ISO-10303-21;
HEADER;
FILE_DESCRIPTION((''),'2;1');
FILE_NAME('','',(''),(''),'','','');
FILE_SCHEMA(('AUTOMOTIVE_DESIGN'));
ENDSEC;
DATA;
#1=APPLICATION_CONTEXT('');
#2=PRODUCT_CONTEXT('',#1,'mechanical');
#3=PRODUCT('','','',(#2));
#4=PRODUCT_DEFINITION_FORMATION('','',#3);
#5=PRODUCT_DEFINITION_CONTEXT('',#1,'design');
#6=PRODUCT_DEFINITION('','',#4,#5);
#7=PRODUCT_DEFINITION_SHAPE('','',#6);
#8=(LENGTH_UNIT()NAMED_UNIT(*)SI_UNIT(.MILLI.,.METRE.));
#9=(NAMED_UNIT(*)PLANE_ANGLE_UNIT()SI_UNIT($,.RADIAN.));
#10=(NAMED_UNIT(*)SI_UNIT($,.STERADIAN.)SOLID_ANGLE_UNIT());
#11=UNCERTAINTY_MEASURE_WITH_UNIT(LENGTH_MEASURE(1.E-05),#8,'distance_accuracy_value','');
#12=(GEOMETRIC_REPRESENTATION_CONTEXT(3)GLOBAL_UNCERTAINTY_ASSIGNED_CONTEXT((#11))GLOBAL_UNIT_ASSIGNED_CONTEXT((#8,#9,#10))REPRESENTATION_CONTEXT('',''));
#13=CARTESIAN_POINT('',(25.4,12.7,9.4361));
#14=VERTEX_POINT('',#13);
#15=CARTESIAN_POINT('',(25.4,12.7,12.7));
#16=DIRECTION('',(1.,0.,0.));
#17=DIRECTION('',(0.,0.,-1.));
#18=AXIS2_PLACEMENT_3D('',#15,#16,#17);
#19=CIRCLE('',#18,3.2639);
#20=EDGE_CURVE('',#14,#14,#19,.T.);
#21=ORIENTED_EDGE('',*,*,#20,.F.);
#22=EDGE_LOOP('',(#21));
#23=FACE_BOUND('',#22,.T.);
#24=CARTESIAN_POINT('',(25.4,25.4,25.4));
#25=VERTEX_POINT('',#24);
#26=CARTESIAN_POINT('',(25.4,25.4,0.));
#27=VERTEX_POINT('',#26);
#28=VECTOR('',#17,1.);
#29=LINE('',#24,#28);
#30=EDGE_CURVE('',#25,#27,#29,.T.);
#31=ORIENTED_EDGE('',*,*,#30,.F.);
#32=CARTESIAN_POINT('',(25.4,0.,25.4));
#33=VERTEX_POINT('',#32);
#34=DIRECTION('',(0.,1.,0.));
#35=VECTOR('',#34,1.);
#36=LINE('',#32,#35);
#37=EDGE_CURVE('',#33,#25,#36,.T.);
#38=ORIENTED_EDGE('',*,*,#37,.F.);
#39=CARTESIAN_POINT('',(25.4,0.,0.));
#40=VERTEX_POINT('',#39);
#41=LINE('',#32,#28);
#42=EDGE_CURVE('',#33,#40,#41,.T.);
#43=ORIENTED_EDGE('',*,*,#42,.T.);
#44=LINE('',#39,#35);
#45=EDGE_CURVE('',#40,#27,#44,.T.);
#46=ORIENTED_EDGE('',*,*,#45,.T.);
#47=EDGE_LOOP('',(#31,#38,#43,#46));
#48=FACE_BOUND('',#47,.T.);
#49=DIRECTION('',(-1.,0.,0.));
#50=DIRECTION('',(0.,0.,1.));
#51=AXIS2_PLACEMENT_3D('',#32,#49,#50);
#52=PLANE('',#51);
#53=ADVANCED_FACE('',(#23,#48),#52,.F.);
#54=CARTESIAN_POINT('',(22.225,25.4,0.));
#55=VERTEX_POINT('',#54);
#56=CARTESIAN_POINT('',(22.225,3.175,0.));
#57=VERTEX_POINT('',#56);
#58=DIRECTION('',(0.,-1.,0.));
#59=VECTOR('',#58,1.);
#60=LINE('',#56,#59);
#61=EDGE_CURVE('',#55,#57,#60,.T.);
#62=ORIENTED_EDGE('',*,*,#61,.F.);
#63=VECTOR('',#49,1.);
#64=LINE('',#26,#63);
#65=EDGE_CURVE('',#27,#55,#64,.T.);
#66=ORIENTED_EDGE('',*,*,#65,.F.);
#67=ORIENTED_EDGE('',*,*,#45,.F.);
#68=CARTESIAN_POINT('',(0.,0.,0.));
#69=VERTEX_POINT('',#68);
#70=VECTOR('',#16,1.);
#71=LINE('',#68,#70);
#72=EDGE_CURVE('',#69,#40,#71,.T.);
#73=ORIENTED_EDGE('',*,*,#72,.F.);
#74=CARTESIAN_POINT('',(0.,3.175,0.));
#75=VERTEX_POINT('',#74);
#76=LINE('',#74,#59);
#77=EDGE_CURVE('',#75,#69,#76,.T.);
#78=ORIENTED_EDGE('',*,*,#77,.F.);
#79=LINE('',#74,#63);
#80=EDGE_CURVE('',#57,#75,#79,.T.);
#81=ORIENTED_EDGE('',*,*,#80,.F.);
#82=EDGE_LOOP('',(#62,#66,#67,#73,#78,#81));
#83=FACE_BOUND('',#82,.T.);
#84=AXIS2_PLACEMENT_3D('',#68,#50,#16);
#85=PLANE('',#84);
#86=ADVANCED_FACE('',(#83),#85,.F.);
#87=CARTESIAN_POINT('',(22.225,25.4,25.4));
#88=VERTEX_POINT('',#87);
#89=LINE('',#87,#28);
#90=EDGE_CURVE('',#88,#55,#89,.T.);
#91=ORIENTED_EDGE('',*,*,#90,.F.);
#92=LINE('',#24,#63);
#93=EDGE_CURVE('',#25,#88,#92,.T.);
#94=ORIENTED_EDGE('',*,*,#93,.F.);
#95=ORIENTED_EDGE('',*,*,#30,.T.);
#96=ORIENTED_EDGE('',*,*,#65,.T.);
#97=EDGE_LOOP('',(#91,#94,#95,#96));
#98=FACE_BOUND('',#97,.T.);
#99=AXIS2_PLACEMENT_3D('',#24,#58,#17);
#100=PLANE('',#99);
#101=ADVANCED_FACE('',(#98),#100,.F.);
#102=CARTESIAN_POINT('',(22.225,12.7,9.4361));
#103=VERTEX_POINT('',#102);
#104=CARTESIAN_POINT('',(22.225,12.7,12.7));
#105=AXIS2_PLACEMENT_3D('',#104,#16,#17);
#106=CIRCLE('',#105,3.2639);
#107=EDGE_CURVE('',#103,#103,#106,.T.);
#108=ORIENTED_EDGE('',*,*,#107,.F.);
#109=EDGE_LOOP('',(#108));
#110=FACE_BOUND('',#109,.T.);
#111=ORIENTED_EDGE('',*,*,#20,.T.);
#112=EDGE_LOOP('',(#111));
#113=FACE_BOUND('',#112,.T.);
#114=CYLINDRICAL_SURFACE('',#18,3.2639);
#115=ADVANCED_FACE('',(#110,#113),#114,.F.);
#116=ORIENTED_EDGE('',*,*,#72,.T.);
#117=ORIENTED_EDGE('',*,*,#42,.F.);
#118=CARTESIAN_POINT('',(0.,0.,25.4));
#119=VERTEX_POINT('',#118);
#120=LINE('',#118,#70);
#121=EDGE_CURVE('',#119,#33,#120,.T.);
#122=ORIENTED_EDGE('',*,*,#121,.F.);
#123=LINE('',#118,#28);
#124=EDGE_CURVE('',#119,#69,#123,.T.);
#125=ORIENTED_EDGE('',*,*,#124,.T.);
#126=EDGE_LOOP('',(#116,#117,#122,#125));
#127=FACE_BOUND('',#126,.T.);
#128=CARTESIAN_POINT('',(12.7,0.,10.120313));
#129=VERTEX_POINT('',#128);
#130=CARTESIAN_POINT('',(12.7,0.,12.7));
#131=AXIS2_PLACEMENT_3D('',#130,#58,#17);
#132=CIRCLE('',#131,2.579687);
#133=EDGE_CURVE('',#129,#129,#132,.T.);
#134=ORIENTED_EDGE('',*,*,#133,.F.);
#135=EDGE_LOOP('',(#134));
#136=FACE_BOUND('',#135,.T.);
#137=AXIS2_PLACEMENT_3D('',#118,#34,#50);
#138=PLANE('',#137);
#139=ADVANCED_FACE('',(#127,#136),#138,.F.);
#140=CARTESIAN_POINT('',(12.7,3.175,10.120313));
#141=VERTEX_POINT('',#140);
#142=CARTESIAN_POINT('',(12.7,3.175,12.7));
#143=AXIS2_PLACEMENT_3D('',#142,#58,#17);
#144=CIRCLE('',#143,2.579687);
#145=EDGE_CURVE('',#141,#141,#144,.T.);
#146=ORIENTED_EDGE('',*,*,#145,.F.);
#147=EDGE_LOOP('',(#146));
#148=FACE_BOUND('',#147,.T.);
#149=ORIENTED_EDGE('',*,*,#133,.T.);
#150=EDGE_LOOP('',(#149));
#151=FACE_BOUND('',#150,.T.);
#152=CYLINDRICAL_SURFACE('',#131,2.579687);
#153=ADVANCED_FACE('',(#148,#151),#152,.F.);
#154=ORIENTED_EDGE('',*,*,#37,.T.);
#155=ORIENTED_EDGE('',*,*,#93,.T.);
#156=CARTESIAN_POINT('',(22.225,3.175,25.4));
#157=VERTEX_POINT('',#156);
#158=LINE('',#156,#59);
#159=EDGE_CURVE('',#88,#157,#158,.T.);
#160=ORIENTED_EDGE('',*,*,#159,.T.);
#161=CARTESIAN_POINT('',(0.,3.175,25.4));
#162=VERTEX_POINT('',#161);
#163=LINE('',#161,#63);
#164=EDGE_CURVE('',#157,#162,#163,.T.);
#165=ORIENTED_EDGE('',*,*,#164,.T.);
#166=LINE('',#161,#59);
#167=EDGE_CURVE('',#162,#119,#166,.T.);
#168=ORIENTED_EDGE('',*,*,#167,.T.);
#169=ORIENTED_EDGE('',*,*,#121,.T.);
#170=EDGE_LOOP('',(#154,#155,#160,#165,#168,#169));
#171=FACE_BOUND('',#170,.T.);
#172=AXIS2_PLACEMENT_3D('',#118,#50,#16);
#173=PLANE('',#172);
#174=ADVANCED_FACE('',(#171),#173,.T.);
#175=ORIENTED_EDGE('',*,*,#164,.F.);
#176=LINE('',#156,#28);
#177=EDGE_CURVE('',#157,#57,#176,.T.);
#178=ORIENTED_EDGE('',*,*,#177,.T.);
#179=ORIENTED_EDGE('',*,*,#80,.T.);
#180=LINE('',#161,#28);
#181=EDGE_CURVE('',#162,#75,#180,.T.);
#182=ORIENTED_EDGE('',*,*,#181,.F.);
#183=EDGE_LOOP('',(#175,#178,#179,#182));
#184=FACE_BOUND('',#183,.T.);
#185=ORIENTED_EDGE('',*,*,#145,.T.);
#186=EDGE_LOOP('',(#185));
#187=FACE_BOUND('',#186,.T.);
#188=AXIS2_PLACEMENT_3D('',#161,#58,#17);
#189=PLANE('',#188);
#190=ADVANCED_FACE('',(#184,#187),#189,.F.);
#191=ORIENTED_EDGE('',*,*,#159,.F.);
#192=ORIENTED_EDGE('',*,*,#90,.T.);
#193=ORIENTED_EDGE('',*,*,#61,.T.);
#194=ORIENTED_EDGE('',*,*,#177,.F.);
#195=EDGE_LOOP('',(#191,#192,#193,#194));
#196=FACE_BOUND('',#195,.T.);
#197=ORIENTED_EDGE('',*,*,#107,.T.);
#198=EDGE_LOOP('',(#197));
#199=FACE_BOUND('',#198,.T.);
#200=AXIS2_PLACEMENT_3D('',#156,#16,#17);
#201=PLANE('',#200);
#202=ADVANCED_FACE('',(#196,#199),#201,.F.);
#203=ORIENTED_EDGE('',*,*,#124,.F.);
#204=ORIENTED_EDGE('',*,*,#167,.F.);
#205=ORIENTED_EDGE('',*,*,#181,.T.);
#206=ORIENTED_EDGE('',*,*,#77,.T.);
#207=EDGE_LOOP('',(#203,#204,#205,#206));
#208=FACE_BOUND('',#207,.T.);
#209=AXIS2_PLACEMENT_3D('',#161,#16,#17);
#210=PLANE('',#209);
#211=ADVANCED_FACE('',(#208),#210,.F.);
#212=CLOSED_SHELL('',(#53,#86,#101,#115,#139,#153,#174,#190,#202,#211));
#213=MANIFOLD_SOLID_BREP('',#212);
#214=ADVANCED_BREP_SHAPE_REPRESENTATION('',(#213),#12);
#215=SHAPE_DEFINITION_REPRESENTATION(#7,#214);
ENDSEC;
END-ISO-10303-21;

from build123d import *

# Parameters (mm, degrees)
BOSS_EXTRUDE1_DEPTH              = 25.4
F_13_64_0_20313_DIAMETER_HOLE1_D = 5.159375
F_0_257_DIAMETER_HOLE1_D         = 6.5278


with BuildPart() as part:
    # Sketch1 → Boss-Extrude1 (new body)
    with BuildSketch(Plane.XY):
        Polygon((0, 3.175), (22.225, 3.175), (22.225, 25.4), (25.4, 25.4), (25.4, 0), (0, 0), align=None)
    extrude(amount=BOSS_EXTRUDE1_DEPTH)

    # 13/64 (0.20313) Diameter Hole1 (through all)
    with Locations(Plane(origin=(0, 0, 0), x_dir=(-1, 0, 0), z_dir=(0, -1, 0))):
        with Locations((-12.7, -12.7)):
            Hole(F_13_64_0_20313_DIAMETER_HOLE1_D / 2)

    # F (0.257) Diameter Hole1 (through all)
    with Locations(Plane(origin=(25.4, 0, 0), x_dir=(0, 0, -1), z_dir=(1, 0, 0))):
        with Locations((-12.7, 12.7)):
            Hole(F_0_257_DIAMETER_HOLE1_D / 2)


solid = part.part
